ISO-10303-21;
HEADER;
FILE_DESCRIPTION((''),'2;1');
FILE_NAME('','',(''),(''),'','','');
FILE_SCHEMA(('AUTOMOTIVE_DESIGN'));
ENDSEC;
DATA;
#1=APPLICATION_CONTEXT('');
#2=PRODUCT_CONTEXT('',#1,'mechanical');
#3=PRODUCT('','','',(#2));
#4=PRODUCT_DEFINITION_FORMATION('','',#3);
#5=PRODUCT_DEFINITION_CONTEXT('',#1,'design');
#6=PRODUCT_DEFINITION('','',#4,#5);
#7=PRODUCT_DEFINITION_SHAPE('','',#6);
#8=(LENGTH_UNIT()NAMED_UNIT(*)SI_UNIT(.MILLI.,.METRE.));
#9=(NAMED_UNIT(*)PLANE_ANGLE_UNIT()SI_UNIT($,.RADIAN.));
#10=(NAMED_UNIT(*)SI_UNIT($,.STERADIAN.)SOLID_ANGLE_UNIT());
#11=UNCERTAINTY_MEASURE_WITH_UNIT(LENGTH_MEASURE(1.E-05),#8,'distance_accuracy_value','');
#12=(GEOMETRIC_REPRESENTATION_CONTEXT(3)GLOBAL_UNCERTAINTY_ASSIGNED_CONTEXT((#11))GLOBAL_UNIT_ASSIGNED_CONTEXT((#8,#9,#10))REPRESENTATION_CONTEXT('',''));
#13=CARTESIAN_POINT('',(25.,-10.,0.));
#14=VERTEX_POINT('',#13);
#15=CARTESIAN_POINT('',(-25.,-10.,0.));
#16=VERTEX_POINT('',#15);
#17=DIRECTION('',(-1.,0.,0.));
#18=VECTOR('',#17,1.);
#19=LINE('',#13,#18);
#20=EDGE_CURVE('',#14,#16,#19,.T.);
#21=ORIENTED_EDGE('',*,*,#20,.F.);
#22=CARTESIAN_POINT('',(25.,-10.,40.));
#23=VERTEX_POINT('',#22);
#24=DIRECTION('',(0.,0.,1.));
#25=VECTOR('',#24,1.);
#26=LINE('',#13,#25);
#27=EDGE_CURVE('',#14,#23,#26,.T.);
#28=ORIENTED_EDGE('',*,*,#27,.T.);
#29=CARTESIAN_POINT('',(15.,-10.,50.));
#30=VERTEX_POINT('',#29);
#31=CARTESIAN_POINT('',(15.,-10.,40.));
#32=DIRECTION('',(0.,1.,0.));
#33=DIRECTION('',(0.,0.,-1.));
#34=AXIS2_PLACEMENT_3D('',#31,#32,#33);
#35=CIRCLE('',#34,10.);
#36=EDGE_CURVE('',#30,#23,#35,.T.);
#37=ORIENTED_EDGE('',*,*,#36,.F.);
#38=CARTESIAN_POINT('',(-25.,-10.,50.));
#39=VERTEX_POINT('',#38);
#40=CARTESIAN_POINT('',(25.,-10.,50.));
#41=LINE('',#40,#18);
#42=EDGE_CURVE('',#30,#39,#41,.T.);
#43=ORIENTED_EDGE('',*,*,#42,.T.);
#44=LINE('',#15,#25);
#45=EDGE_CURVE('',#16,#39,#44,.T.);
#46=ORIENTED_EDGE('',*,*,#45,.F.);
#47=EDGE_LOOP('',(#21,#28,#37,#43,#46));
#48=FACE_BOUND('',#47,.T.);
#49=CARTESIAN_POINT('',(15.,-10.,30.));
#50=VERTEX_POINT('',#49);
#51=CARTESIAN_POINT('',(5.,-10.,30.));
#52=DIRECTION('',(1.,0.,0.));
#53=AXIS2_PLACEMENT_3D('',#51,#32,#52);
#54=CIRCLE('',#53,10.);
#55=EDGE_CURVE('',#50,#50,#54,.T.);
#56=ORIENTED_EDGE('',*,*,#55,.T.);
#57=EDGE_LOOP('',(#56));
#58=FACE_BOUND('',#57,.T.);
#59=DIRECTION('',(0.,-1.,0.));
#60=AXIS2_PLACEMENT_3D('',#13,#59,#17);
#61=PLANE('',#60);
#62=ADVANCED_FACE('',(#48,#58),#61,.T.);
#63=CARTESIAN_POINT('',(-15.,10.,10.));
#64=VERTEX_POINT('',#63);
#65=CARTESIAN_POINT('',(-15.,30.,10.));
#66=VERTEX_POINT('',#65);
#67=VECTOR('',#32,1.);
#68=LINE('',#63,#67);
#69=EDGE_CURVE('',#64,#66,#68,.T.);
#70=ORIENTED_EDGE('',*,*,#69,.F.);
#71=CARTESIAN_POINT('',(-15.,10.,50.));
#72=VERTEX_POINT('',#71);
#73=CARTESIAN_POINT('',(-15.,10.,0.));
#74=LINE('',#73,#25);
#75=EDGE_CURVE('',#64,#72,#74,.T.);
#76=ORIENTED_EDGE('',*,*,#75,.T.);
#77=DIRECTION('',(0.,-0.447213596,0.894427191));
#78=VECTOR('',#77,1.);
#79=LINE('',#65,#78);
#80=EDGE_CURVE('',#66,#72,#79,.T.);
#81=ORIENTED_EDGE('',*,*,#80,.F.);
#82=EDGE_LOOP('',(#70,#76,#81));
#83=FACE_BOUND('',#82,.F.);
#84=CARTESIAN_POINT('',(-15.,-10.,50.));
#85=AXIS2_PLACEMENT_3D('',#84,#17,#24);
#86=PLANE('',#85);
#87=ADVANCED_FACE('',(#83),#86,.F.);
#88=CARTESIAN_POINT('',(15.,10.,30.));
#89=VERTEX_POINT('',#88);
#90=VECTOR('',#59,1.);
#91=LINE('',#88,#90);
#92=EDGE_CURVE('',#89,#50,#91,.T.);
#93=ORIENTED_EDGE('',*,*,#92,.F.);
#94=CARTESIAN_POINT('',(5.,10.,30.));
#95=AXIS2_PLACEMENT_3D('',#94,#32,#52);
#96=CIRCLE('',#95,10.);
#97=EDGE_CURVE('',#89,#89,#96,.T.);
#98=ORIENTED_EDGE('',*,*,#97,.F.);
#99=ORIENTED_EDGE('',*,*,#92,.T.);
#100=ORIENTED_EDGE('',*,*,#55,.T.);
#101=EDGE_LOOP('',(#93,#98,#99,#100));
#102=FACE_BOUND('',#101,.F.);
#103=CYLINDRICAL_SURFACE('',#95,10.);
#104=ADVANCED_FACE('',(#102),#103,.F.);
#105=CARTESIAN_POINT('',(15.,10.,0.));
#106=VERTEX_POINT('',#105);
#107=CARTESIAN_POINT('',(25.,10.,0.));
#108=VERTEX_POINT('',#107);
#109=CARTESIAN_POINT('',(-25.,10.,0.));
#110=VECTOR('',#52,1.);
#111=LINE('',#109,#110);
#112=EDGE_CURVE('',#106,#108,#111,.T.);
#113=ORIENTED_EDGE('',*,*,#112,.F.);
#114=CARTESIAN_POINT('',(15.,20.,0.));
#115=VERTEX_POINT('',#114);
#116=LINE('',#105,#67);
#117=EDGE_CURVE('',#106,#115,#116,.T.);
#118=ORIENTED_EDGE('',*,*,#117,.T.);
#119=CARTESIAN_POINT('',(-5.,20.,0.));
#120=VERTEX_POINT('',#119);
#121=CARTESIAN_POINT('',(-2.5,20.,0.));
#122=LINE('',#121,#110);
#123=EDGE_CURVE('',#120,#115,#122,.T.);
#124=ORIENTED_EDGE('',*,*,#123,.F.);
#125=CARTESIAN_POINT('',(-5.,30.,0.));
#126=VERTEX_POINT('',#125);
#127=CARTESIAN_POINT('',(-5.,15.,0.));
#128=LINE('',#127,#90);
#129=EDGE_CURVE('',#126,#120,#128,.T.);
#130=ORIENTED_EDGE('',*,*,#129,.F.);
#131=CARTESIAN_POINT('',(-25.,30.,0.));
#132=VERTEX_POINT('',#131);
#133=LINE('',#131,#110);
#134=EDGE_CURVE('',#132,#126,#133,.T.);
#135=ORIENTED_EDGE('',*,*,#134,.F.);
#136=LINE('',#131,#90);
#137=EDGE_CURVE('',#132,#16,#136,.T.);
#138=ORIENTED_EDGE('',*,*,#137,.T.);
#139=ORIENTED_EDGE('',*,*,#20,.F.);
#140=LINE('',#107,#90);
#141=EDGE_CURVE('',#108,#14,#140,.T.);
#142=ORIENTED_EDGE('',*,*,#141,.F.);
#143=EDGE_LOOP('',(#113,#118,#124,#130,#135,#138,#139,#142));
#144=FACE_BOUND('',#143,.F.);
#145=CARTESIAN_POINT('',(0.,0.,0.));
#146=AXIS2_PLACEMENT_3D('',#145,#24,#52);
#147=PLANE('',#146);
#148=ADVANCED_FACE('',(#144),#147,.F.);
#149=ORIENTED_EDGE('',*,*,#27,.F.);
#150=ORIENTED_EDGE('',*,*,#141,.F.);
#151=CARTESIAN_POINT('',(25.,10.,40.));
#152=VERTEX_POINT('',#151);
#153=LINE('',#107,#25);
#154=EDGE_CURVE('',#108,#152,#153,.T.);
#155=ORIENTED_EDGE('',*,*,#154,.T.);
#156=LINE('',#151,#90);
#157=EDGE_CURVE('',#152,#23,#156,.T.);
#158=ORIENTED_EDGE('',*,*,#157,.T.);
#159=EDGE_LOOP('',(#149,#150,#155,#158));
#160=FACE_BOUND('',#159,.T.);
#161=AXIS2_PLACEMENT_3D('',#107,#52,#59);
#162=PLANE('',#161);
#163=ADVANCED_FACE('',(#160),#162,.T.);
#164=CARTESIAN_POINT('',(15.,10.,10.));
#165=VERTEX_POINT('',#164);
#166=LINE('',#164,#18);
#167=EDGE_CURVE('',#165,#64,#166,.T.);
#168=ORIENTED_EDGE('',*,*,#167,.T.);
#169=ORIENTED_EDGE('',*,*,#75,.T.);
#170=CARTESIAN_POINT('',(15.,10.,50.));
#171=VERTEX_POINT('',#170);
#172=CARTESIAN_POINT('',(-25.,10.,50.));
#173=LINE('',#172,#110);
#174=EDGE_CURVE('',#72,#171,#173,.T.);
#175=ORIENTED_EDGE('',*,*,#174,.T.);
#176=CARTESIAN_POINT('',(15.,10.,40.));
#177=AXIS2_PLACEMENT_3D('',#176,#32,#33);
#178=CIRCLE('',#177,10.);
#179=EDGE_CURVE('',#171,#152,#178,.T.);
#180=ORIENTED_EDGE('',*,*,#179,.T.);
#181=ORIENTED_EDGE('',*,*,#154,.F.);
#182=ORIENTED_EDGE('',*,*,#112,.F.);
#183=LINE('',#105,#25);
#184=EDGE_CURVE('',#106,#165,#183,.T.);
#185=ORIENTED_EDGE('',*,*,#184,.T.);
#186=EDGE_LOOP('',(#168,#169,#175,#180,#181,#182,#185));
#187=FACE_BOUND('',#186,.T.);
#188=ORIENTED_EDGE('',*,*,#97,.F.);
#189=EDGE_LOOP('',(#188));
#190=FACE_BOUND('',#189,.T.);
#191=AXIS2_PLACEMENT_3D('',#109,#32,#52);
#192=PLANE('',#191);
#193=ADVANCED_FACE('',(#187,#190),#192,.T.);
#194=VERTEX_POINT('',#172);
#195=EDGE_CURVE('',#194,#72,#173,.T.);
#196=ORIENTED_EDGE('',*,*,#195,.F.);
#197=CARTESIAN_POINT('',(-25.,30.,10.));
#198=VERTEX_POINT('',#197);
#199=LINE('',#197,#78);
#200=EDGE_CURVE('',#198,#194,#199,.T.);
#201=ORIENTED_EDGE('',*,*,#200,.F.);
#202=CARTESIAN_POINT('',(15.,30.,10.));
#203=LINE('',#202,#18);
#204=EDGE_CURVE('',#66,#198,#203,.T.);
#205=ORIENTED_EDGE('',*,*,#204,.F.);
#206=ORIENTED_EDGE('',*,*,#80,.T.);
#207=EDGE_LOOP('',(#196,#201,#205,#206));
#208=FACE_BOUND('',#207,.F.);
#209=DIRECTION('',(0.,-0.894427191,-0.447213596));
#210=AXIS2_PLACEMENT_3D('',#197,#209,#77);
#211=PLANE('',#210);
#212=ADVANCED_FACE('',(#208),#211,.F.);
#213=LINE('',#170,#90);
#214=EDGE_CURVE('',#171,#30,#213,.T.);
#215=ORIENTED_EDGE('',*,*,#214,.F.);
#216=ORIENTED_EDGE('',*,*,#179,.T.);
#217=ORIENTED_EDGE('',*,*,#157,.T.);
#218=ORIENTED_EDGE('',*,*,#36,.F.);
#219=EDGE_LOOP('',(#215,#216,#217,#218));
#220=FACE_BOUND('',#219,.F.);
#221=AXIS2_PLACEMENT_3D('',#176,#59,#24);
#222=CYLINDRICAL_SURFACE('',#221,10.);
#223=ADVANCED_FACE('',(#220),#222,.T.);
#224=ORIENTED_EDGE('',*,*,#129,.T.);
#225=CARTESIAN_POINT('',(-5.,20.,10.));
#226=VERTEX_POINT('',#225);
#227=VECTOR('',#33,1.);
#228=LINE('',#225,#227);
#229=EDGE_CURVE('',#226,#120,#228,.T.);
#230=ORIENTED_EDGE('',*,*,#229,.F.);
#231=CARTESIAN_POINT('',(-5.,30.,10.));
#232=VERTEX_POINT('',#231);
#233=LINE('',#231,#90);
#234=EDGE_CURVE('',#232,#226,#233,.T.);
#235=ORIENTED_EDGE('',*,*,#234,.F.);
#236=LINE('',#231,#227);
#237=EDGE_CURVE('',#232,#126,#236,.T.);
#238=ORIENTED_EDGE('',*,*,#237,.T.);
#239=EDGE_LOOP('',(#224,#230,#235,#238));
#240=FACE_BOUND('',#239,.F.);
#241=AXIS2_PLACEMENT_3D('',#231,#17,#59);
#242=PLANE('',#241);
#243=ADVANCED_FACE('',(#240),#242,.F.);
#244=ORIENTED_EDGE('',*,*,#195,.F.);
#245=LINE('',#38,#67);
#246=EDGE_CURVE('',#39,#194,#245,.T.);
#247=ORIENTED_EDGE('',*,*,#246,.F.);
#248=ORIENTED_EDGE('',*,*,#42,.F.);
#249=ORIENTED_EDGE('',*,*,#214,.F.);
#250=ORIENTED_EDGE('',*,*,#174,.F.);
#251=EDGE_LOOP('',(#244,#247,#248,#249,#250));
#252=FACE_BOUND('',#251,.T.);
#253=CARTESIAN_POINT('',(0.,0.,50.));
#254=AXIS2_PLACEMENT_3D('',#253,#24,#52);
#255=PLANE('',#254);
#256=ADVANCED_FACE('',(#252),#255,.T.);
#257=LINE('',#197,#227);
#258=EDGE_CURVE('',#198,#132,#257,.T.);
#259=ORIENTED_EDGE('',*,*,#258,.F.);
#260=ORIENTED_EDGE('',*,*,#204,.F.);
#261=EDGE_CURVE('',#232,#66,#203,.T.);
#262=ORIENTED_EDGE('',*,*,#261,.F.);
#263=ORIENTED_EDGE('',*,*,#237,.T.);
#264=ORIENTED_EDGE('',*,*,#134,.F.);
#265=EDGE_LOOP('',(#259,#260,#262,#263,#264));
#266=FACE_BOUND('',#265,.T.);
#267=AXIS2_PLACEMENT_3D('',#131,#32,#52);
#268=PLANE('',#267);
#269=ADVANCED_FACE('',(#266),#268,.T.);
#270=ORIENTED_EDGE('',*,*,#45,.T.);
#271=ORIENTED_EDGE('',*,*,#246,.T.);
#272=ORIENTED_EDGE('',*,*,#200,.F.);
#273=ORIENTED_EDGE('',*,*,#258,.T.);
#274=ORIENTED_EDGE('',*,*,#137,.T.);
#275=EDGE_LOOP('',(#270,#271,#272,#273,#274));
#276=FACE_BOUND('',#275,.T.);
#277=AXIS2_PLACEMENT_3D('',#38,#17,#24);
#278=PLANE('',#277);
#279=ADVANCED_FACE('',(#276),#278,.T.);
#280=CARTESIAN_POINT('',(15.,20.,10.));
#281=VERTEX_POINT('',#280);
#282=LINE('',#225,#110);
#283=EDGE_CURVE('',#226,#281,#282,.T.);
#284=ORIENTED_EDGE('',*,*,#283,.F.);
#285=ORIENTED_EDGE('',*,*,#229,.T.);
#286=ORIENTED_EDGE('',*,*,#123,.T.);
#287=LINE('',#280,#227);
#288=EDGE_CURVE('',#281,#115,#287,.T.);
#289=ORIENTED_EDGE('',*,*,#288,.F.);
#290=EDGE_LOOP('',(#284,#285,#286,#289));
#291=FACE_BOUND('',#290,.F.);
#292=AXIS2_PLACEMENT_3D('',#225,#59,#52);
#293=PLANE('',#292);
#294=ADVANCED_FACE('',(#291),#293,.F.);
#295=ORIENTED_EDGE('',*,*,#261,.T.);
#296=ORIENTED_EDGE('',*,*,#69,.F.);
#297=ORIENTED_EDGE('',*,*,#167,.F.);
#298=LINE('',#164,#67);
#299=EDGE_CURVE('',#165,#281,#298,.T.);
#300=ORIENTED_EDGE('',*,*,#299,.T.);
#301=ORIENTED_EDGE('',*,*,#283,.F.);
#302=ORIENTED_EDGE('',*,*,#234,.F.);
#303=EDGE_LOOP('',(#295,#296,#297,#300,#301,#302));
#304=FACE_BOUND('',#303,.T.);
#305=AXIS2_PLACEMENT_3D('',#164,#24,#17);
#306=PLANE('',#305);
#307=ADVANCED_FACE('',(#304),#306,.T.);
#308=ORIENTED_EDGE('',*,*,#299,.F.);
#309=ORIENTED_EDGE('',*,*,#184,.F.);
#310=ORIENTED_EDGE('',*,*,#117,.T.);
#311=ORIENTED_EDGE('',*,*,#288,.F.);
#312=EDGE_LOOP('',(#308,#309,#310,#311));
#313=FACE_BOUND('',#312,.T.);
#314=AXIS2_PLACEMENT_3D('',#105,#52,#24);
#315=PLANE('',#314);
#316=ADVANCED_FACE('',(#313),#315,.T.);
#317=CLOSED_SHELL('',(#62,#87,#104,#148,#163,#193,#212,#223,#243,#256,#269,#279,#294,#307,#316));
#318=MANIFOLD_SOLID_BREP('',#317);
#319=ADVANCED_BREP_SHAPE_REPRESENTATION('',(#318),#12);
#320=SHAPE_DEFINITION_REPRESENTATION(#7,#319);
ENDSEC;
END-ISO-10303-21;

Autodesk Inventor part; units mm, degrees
ref_plane "YZ Plane" through (0, 0, 0) normal (1, 0, 0) x (0, 1, 0)
ref_plane "XZ Plane" through (0, 0, 0) normal (0, 1, 0) x (-1, 0, 0)
ref_plane "XY Plane" through (0, 0, 0) normal (0, 0, 1) x (1, 0, 0)
sketch "草圖1" plane through (0, 0, 0) normal (0, 0, 1) x (1, 0, 0)
  line L0 (25, -10) -> (-25, -10)
  line L1 (-25, -10) -> (-25, 10)
  line L2 (-25, 10) -> (25, 10)
  line L3 (25, 10) -> (25, -10)
  line L4 (25, -10) -> (-25, 10) construction
  line L5 (-25, -10) -> (25, 10) construction
  point P0 (0, 0)
  dimension "d0" = 20
  dimension "d1" = 50
extrude "擠出1" add sketch "草圖1" along normal blind 50
sketch "草圖2" plane through (-25, 10, 0) normal (0, 1, 0) x (1, 0, 0)
  line L0 (0, 0) -> (40, 0)
  line L1 (40, 0) -> (40, -10)
  line L2 (40, -10) -> (0, -10)
  line L3 (0, -10) -> (0, 0)
  point P0 (25, 0)
  point P1 (0, 0)
  dimension "d6" = 40
  dimension "d7" = 10
extrude "擠出2" add sketch "草圖2" along normal blind 20
sketch "草圖3" plane through (-25, 10, 10) normal (0, 0, 1) x (1, 0, 0)
  line L0 (40, 20) -> (0, 20) projected
  line L1 (40, 20) -> (20, 20)
  line L2 (20, 20) -> (20, 10)
  line L3 (20, 10) -> (40, 10)
  line L4 (40, 10) -> (40, 20)
  line L5 (0, 0) -> (0, 20) projected
  line L6 (50, 0) -> (0, 0) projected
  point P0 (25, -10)
  dimension "d10" = 20
  dimension "d11" = 10
extrude "擠出3" cut sketch "草圖3" against normal blind 20
sketch "草圖4" plane through (-25, -10, 50) normal (-1, 0, 0) x (0, 0, 1)
  line L0 (-40, 40) -> (-50, 40) projected
  line L1 (-50, 20) -> (0, 20) projected
  line L2 (-40, 40) -> (0, 20)
  line L3 (0, 20) -> (-40, 20)
  line L4 (-40, 20) -> (-40, 40)
  point P0 (-50, 10)
extrude "擠出4" add sketch "草圖4" against normal blind 10
sketch "草圖5" plane through (25, 10, 50) normal (0, 1, 0) x (1, 0, 0)
  circle A0 centre (-20, 20) radius 10
  line L0 (0, 0) -> (-40, 0) projected
  line L1 (0, 50) -> (0, 0) projected
  point P0 (-25, 50)
  dimension "d16" = 20
  dimension "d17" = 20
  dimension "d18" = 20
extrude "擠出5" cut sketch "草圖5" against normal blind 27.75
fillet "圓角1" radius 10 1 edges at (25, 0, 50)
properties part number "件26"
